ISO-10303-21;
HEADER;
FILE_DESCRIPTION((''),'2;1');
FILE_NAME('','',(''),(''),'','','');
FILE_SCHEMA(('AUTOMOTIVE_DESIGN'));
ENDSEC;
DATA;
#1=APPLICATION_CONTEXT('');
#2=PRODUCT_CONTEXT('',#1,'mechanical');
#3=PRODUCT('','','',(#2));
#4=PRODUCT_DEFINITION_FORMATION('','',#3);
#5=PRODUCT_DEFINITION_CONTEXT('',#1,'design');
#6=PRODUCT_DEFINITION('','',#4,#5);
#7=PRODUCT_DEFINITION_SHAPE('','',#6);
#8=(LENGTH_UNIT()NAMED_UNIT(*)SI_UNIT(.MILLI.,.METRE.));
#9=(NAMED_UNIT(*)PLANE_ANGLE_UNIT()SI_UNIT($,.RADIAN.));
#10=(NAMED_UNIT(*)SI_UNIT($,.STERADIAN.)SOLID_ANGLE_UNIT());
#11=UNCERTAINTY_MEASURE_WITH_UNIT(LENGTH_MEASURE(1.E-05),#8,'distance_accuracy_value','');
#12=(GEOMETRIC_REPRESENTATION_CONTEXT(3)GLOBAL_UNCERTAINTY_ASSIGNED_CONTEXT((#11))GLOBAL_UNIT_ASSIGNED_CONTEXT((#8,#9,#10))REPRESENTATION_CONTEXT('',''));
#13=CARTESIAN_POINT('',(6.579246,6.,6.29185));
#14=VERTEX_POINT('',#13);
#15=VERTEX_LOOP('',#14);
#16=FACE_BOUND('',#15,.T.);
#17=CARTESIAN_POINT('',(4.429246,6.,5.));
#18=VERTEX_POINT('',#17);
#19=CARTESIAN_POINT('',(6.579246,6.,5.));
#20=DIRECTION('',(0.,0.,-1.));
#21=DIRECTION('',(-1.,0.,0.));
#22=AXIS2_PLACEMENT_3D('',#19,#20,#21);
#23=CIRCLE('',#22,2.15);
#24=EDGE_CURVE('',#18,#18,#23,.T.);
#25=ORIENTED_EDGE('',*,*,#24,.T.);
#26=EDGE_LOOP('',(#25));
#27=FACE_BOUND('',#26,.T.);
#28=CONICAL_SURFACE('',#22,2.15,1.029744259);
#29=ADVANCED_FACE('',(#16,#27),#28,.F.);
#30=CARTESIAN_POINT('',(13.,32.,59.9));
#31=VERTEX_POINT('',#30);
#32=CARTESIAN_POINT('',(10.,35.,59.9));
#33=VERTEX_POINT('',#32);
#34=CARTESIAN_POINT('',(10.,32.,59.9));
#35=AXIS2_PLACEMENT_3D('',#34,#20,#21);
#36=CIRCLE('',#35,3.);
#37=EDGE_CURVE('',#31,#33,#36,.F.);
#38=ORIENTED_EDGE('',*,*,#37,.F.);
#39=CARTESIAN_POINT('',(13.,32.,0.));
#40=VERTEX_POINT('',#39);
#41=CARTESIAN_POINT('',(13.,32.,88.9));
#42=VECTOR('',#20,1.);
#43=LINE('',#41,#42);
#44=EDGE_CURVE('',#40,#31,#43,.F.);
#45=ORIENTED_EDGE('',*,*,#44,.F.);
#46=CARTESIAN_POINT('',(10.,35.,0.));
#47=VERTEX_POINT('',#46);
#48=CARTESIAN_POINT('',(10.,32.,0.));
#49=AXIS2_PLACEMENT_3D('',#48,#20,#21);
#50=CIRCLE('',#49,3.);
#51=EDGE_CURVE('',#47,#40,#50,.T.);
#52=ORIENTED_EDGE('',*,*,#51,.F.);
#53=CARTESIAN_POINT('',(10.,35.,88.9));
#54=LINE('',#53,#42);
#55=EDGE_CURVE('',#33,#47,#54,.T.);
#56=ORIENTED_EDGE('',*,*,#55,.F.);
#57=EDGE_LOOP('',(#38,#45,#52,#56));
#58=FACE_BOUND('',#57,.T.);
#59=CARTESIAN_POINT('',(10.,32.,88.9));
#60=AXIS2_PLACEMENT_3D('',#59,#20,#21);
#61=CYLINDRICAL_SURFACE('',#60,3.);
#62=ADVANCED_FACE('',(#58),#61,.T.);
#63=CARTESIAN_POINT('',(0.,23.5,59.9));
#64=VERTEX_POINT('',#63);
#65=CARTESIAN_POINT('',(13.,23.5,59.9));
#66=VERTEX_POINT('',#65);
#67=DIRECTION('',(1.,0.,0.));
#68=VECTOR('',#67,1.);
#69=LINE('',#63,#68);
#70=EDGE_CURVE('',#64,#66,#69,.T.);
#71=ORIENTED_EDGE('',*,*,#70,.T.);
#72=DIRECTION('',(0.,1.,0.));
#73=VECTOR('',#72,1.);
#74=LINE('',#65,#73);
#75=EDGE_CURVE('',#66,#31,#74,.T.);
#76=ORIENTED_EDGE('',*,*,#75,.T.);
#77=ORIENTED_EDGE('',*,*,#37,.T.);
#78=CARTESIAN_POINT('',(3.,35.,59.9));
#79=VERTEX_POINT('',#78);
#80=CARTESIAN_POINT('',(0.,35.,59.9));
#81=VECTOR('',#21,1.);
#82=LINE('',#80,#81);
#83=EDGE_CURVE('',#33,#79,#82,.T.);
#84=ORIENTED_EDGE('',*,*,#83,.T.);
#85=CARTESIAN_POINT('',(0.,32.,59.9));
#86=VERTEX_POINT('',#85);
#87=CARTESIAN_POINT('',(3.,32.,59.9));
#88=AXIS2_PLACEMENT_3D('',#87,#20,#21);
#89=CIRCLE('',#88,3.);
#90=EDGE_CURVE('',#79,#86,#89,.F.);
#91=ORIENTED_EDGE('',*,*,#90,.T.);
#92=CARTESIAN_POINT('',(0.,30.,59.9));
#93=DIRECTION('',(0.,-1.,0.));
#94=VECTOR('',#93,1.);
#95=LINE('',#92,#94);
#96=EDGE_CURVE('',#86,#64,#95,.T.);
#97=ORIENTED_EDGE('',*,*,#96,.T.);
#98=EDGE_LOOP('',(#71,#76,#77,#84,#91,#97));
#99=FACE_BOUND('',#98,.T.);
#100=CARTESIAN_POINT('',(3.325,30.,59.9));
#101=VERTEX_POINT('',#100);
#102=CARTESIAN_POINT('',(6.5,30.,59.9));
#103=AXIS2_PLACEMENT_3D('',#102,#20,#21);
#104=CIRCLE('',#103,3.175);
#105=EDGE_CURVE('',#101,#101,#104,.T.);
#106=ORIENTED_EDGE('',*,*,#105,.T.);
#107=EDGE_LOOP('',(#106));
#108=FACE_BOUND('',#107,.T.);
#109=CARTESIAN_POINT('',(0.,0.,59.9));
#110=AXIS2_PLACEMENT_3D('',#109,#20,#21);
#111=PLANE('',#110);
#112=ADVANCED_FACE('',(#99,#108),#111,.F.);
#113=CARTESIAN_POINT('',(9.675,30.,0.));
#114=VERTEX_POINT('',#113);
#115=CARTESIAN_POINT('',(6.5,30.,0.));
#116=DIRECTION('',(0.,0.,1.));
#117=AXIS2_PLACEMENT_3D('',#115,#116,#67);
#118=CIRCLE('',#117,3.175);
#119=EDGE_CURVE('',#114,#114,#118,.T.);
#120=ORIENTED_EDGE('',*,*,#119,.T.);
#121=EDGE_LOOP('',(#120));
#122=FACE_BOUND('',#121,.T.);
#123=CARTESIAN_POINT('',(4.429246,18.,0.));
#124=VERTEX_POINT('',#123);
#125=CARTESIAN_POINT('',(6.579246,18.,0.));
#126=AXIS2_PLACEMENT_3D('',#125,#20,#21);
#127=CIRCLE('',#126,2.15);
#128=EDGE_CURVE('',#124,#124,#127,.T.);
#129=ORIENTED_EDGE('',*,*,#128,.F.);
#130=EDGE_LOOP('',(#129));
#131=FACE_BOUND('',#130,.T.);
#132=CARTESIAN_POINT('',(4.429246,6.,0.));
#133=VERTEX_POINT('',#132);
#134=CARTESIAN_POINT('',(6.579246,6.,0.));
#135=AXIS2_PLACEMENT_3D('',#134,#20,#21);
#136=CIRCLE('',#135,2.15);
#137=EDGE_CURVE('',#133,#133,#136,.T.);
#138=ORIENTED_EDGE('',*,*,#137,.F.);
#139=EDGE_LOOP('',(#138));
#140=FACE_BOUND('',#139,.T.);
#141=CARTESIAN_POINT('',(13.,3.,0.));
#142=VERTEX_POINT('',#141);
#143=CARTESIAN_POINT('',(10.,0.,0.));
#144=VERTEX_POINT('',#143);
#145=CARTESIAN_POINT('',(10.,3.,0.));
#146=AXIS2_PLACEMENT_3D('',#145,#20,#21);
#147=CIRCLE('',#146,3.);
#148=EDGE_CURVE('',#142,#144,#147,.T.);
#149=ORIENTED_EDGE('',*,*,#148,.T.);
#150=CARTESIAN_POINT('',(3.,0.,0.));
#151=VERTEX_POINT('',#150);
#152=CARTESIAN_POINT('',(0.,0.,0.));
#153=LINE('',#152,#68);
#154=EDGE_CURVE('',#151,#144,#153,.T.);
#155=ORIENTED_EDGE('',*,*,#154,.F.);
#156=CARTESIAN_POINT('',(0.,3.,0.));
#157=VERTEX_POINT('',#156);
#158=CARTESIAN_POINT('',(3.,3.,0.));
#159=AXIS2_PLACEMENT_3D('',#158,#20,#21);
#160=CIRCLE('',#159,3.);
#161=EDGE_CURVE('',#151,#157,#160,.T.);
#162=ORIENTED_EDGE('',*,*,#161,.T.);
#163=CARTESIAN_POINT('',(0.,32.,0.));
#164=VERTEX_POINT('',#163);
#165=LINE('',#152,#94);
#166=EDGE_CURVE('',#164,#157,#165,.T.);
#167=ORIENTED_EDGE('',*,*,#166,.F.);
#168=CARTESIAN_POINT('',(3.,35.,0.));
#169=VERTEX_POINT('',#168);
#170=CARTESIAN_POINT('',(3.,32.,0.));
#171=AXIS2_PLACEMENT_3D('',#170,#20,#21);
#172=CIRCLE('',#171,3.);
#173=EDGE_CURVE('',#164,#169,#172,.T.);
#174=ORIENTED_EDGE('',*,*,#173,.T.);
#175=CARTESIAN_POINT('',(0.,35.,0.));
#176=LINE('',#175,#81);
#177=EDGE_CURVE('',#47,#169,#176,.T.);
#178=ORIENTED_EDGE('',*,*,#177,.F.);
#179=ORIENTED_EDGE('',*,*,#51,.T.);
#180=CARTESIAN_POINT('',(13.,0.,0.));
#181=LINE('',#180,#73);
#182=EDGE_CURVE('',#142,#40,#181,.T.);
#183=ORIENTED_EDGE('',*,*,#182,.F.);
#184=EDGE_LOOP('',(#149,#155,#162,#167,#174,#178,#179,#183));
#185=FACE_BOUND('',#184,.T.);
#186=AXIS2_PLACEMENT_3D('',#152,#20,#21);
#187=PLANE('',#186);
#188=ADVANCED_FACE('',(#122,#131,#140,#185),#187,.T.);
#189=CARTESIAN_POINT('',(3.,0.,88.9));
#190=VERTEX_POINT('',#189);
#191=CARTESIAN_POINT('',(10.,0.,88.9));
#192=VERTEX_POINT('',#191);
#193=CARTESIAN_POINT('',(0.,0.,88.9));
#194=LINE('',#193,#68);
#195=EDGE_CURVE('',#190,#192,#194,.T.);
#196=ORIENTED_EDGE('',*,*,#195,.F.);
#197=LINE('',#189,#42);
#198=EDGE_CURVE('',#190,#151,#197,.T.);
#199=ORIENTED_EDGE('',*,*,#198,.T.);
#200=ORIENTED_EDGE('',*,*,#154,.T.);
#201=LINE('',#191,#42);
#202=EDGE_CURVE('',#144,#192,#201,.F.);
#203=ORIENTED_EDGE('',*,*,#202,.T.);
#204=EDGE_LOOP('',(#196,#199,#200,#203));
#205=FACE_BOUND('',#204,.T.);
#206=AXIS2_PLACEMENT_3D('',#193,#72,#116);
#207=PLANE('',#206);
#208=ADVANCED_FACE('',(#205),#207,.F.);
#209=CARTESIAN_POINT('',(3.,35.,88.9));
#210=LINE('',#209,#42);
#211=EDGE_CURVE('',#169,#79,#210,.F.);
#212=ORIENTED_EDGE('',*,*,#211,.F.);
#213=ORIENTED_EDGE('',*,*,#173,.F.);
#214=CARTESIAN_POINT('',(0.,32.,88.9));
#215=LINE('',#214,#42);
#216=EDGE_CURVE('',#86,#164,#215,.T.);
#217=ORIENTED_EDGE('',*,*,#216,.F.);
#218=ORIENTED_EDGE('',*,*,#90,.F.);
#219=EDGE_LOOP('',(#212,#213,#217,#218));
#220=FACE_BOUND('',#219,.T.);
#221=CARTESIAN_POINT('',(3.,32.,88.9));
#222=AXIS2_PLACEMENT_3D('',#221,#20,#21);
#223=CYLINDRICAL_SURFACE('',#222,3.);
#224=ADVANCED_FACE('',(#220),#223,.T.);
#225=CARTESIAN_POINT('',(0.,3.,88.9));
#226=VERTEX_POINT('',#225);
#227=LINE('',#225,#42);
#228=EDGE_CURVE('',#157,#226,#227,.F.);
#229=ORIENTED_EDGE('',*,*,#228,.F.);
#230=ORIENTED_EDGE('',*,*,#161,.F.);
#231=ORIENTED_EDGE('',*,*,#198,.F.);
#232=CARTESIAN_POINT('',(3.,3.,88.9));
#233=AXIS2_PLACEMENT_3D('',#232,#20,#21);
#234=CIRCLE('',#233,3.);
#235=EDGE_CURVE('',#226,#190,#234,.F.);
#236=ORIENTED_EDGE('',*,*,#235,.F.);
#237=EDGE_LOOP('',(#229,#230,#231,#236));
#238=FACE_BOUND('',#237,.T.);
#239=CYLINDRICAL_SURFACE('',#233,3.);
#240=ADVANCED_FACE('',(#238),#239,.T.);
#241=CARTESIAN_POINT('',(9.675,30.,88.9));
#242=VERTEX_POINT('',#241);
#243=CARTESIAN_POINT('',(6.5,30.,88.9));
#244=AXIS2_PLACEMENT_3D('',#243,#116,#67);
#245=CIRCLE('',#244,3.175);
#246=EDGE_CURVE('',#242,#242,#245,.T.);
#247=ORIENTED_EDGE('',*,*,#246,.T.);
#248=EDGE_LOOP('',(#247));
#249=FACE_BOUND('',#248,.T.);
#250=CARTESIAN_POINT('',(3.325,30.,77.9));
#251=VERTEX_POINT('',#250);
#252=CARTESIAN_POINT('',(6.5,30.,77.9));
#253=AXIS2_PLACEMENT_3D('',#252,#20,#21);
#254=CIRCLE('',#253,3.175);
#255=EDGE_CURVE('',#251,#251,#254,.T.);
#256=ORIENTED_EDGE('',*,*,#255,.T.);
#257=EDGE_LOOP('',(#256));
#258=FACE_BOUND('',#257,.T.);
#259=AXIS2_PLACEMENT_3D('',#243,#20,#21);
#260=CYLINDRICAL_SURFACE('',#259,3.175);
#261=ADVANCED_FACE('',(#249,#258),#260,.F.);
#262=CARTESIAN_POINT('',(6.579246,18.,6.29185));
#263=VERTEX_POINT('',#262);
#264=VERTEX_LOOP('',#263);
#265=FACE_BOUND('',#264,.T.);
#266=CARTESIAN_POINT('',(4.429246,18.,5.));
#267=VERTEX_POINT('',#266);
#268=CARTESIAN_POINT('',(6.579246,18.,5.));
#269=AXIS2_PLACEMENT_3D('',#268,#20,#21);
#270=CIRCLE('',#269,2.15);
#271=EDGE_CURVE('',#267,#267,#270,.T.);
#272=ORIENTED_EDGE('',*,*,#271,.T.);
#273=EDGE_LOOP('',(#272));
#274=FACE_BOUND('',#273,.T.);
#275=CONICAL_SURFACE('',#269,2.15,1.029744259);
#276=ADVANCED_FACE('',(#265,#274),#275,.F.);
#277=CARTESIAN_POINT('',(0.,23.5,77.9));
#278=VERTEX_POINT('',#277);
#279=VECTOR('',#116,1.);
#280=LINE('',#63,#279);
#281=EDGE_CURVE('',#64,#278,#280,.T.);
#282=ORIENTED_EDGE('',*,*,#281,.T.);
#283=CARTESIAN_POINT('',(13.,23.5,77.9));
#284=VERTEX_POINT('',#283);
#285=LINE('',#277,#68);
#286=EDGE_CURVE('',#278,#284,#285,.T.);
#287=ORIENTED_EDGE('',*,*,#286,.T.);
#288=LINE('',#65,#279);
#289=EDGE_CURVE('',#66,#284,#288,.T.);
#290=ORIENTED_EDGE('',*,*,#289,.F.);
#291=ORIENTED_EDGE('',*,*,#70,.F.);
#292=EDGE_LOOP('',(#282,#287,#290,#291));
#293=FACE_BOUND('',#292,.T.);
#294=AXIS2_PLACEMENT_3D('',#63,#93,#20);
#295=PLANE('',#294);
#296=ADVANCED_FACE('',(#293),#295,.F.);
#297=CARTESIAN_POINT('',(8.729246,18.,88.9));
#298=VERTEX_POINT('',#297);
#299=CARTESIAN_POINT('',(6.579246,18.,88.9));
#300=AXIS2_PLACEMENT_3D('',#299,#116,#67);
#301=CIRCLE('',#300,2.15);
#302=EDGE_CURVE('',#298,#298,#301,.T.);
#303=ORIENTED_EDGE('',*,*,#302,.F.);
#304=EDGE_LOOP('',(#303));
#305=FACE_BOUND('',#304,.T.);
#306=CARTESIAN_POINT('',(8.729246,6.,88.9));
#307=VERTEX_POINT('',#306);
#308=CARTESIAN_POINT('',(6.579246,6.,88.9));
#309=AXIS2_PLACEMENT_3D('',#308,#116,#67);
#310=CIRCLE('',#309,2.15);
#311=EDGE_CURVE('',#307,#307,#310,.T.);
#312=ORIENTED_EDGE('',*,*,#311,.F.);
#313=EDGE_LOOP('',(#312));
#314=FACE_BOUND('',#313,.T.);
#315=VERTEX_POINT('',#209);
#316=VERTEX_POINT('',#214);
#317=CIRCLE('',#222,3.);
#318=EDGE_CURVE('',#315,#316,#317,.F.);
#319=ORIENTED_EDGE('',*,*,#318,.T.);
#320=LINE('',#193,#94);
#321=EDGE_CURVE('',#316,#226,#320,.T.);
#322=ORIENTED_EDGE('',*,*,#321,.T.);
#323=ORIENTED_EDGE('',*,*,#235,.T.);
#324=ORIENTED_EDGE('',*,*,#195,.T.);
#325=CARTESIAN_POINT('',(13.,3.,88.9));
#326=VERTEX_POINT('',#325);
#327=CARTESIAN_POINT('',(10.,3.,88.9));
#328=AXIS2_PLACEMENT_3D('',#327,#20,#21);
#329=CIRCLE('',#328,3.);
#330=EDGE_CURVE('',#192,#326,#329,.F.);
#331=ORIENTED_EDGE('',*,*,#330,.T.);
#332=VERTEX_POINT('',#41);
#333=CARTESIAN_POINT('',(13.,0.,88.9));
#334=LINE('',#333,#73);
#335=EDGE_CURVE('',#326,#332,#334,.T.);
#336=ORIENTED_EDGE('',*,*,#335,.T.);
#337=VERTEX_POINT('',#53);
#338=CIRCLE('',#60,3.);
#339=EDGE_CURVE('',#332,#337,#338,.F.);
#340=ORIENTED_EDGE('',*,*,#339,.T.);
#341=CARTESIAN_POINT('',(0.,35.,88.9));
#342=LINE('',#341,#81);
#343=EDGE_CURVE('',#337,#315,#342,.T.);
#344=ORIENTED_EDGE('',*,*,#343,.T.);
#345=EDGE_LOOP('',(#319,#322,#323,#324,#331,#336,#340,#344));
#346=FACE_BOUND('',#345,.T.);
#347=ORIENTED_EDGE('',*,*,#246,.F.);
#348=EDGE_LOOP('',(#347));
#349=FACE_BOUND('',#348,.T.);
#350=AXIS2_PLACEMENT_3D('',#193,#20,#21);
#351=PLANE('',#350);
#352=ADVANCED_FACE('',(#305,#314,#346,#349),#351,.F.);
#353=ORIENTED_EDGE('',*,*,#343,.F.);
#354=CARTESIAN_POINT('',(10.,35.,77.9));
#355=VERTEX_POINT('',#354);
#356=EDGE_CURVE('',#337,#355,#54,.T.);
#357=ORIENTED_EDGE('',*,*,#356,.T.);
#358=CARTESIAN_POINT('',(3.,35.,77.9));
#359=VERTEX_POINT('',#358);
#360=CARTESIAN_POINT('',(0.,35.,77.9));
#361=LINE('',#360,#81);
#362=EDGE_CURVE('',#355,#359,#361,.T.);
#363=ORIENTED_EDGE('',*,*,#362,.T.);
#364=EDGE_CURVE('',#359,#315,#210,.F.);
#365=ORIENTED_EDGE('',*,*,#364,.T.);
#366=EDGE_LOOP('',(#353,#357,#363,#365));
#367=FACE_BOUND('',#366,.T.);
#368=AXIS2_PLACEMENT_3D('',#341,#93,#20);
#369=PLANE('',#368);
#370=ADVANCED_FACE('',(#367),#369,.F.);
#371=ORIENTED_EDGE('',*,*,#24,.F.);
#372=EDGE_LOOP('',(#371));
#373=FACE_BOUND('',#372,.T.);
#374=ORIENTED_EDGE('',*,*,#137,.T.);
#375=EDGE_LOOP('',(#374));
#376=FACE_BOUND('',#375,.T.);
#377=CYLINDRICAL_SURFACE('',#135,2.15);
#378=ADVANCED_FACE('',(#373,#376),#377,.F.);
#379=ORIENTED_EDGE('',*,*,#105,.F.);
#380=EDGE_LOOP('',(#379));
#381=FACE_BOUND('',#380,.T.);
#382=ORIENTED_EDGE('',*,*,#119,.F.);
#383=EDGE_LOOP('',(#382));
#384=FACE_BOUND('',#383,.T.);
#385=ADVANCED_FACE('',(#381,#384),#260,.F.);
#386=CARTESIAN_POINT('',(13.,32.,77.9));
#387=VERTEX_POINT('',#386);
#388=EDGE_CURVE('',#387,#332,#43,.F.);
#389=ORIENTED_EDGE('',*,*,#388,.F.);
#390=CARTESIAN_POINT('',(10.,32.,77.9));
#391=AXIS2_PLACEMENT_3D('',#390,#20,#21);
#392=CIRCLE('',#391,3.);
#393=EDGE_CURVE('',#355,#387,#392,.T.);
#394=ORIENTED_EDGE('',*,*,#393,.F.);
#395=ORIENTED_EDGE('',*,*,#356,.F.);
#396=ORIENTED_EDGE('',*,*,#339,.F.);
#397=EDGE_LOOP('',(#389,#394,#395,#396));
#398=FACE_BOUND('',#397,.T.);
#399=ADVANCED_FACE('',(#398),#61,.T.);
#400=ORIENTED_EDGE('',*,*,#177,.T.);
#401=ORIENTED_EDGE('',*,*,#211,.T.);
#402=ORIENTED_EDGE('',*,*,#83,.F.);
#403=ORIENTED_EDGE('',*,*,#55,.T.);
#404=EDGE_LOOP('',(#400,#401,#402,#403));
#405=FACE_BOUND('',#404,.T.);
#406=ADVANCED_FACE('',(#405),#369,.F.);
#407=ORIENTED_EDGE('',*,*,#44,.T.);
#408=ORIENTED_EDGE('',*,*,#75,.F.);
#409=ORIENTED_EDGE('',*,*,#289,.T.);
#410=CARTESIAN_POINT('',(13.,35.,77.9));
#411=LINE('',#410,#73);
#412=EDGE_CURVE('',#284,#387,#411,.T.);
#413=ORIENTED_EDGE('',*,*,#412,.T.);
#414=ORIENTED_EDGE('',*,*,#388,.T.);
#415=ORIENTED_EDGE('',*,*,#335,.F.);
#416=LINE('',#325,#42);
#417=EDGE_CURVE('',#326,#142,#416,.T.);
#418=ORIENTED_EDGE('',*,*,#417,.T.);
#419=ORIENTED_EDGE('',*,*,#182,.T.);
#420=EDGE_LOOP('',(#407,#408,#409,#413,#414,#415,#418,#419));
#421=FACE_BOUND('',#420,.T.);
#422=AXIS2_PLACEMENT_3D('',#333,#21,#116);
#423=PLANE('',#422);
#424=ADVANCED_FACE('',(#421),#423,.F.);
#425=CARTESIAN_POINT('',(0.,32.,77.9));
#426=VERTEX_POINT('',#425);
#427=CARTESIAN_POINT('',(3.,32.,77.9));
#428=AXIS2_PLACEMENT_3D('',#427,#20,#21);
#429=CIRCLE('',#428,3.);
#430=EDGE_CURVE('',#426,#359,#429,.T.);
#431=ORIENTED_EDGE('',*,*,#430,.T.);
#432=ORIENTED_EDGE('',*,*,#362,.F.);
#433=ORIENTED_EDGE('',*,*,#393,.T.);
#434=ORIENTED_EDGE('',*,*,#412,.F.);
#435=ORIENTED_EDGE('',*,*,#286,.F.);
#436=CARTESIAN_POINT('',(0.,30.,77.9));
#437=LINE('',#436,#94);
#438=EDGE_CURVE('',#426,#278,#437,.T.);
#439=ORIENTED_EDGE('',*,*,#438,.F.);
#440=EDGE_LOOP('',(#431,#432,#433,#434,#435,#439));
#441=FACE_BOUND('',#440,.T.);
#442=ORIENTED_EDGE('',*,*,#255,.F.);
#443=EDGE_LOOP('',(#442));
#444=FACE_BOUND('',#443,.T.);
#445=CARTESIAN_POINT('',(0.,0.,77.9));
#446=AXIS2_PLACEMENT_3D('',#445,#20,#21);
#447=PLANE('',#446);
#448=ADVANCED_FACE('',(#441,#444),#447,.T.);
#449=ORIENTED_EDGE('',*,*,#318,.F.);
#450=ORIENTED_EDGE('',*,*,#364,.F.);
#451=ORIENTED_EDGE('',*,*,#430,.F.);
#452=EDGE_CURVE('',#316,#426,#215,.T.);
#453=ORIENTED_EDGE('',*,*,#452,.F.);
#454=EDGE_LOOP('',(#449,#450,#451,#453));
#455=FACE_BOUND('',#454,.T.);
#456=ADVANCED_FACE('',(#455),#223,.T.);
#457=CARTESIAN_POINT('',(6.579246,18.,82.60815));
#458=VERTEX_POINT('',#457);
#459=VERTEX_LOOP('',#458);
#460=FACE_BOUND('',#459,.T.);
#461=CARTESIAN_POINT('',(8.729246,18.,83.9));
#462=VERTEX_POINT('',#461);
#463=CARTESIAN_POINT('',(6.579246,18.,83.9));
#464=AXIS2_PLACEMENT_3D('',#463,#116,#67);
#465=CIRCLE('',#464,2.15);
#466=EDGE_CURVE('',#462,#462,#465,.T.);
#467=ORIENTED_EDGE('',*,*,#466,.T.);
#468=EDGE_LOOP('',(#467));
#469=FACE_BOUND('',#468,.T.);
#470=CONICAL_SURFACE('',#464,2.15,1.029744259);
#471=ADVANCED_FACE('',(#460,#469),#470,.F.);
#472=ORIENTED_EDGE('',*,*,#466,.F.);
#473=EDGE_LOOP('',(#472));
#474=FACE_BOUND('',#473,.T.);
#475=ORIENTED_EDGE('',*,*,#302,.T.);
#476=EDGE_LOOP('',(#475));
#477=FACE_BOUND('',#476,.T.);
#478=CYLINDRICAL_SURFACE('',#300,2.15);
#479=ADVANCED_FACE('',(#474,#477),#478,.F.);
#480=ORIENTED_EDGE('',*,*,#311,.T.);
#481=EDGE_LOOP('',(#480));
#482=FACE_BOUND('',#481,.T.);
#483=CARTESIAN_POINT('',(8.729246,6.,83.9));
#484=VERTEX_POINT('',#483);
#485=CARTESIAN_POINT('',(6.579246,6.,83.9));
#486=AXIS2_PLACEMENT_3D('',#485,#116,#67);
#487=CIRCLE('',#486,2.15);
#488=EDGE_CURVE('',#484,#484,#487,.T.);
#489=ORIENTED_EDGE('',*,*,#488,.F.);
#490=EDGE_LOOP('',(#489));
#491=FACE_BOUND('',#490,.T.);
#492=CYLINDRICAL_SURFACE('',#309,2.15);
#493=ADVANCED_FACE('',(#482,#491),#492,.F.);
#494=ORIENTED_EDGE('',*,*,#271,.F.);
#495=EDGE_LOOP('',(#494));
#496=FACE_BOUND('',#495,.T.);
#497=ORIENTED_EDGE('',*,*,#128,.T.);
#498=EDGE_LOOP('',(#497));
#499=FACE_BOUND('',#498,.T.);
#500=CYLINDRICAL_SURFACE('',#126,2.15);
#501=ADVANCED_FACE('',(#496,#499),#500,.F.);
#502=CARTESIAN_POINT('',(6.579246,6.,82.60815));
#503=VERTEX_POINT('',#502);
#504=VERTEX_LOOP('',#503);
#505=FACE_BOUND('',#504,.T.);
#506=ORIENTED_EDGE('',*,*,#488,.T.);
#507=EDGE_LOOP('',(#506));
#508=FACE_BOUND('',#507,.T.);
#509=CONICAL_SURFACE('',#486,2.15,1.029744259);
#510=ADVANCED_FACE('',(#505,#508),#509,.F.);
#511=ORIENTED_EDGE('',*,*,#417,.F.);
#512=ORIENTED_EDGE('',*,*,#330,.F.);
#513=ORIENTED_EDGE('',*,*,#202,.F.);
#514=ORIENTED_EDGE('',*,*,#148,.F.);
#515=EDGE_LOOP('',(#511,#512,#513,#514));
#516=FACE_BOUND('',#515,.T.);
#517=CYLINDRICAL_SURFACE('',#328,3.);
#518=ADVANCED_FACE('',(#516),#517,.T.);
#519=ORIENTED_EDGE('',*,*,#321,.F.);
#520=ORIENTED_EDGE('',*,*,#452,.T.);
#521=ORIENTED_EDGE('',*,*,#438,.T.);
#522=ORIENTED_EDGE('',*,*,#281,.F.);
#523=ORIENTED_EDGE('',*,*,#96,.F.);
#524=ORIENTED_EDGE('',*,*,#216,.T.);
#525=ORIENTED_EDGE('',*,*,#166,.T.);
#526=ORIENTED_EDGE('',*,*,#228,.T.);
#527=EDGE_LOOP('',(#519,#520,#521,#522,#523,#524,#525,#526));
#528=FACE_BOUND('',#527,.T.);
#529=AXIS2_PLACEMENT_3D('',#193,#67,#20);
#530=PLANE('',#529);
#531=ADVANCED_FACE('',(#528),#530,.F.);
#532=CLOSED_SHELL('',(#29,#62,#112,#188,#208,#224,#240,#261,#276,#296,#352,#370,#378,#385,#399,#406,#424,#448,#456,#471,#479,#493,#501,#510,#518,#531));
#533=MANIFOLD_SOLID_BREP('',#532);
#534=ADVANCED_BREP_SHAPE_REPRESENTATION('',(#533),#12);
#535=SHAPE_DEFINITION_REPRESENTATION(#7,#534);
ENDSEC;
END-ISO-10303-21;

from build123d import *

# Parameters (mm, degrees)
SKETCH1_W                = 13
SKETCH1_H                = 35
SKETCH1_R                = 3.175
BOSS_EXTRUDE1_DEPTH      = 88.9
CUT_EXTRUDE1_DEPTH       = 9
M4_CLEARANCE_HOLE1_D     = 4.3
M4_CLEARANCE_HOLE1_DEPTH = 5
M4_CLEARANCE_HOLE1_TIP   = 1.291850331
M4_CLEARANCE_HOLE2_D     = 4.3
M4_CLEARANCE_HOLE2_DEPTH = 5
M4_CLEARANCE_HOLE2_TIP   = 1.291850331
FILLET1_R                = 3


with BuildPart() as part:
    # Sketch1 → Boss-Extrude1 (new body)
    with BuildSketch(Plane.XY):
        with Locations((6.5, 17.5)):
            Rectangle(SKETCH1_W, SKETCH1_H)
        with Locations((6.5, 30)):
            Circle(SKETCH1_R, mode=Mode.SUBTRACT)
    extrude(amount=BOSS_EXTRUDE1_DEPTH)

    # Sketch2 → Cut-Extrude1 (cut, symmetric)
    with BuildSketch(Plane.XY.offset(68.9)):
        Polygon((0, 30), (0, 35), (13, 35), (13, 30), (13, 23.5), (0, 23.5), align=None)
    extrude(amount=CUT_EXTRUDE1_DEPTH, both=True, mode=Mode.SUBTRACT)

    # M4 Clearance Hole1
    with Locations(Plane(origin=(0, 0, 0), x_dir=(-1, 0, 0), z_dir=(0, 0, -1))):
        with Locations((-6.579246302, 18), (-6.579246302, 6)):
            Hole(M4_CLEARANCE_HOLE1_D / 2, depth=M4_CLEARANCE_HOLE1_DEPTH)
            with Locations((0, 0, -(M4_CLEARANCE_HOLE1_DEPTH + M4_CLEARANCE_HOLE1_TIP / 2))):  # 118° drill point
                Cone(0, M4_CLEARANCE_HOLE1_D / 2, M4_CLEARANCE_HOLE1_TIP, mode=Mode.SUBTRACT)

    # M4 Clearance Hole2
    with Locations(Plane.XY.offset(88.9)):
        with Locations((6.579246302, 18), (6.579246302, 6)):
            Hole(M4_CLEARANCE_HOLE2_D / 2, depth=M4_CLEARANCE_HOLE2_DEPTH)
            with Locations((0, 0, -(M4_CLEARANCE_HOLE2_DEPTH + M4_CLEARANCE_HOLE2_TIP / 2))):  # 118° drill point
                Cone(0, M4_CLEARANCE_HOLE2_D / 2, M4_CLEARANCE_HOLE2_TIP, mode=Mode.SUBTRACT)

    # Fillet1
    fillet1_edges = [part.edges().sort_by_distance(p)[0] for p in [
        (0, 35, 29.95),
        (13, 35, 29.95),
        (0, 35, 83.4),
        (13, 35, 83.4),
        (13, 0, 44.45),
        (0, 0, 44.45),
    ]]
    fillet(fillet1_edges, radius=FILLET1_R)


solid = part.part
